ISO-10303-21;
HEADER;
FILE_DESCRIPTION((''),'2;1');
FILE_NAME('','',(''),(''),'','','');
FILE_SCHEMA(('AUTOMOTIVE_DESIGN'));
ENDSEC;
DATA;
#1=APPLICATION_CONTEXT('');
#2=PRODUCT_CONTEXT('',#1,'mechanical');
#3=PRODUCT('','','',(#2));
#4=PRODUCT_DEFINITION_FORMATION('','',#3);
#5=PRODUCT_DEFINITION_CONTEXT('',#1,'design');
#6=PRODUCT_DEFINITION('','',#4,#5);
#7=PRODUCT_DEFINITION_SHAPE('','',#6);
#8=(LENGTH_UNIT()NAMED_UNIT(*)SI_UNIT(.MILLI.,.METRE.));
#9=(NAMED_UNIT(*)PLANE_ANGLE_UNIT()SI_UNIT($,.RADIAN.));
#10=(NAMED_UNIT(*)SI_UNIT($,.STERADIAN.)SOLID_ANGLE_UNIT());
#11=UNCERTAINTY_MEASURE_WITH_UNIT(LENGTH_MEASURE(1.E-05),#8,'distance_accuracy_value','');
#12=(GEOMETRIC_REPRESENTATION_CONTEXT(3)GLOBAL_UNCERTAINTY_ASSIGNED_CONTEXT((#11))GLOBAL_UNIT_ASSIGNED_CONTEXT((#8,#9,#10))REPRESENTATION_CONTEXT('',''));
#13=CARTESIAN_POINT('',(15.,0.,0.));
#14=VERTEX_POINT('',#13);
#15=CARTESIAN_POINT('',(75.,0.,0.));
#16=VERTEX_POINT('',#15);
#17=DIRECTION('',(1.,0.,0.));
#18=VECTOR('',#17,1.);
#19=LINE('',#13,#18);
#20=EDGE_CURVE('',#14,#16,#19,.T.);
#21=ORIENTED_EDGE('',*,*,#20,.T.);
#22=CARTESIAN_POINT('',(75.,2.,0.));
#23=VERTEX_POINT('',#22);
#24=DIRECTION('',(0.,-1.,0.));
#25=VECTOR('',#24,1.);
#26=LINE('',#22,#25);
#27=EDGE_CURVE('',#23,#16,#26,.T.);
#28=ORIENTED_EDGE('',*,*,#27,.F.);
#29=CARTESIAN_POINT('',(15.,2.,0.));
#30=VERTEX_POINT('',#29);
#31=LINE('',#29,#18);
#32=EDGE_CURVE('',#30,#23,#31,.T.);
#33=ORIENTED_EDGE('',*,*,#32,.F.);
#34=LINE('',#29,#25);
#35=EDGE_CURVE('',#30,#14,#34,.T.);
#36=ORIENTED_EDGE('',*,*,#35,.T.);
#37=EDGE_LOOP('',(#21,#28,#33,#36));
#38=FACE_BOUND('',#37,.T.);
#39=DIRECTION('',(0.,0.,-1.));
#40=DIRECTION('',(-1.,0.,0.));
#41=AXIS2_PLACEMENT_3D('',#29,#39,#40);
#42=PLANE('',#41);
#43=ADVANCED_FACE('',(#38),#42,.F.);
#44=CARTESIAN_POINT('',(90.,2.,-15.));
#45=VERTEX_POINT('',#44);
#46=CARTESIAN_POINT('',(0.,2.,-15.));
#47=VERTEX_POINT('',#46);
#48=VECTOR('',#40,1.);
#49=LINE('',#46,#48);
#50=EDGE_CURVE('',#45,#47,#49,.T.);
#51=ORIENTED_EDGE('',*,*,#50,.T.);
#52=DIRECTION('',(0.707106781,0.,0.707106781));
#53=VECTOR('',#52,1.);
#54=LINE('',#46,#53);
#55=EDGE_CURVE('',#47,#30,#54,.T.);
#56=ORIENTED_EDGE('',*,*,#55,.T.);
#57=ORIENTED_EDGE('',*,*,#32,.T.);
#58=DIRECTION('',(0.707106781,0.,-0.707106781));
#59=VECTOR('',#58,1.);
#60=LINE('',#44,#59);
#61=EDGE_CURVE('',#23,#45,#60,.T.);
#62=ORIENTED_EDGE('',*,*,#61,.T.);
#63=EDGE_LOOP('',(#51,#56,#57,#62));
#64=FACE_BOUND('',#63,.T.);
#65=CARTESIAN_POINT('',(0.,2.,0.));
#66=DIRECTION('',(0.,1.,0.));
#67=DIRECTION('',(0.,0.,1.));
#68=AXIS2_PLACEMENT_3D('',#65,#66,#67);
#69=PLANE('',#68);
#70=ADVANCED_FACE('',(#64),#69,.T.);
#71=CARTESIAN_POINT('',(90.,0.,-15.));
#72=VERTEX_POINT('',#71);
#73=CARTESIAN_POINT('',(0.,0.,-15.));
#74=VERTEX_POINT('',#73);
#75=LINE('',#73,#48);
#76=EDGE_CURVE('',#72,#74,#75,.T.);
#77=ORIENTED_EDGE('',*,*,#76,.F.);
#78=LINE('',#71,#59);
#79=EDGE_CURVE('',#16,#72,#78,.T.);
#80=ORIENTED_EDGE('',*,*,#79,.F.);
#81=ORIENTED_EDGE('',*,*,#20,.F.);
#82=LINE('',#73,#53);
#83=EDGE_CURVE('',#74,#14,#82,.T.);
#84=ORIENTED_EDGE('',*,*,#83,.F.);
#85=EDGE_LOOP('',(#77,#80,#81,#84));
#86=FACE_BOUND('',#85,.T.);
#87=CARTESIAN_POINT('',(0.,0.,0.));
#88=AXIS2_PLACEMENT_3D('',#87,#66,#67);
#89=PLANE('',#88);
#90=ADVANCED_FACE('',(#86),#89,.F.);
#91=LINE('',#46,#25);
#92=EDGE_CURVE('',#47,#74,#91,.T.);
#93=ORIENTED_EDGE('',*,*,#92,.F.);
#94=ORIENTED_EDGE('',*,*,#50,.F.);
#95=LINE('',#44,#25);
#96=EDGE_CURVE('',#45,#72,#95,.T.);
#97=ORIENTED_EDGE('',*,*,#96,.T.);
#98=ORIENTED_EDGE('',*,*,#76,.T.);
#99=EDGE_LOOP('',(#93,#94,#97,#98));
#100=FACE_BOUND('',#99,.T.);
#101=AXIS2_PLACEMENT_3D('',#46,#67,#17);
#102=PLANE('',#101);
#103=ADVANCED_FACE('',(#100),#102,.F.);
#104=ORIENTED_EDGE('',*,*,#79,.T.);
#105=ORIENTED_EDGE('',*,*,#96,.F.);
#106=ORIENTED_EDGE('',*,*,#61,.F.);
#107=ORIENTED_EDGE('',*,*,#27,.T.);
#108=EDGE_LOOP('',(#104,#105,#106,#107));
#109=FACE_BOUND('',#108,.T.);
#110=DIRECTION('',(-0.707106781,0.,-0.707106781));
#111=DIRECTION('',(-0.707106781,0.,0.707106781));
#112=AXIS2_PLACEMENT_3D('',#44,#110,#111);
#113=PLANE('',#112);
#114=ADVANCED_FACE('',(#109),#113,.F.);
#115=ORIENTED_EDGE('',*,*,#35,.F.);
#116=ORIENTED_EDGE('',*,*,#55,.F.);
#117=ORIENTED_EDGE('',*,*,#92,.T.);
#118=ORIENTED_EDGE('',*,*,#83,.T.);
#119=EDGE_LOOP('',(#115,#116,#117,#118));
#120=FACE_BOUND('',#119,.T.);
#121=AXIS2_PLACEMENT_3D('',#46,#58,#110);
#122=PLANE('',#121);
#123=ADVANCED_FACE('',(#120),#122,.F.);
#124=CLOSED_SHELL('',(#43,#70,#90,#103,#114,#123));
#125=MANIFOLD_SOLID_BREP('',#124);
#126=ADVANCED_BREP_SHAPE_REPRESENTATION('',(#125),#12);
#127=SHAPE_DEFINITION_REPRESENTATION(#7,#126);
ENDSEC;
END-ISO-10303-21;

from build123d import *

# Parameters (mm, degrees)
EXTRUDE_1_DEPTH = 2


with BuildPart() as part:
    # Эскиз1 → Бобышка-Вытянуть1 (new body)
    with BuildSketch(Plane(origin=(0, 0, 0), x_dir=(1, 0, 0), z_dir=(0, 1, 0))):
        Polygon((0, 15), (15, 0), (75, 0), (90, 15), align=None)
    extrude(amount=EXTRUDE_1_DEPTH)


solid = part.part
